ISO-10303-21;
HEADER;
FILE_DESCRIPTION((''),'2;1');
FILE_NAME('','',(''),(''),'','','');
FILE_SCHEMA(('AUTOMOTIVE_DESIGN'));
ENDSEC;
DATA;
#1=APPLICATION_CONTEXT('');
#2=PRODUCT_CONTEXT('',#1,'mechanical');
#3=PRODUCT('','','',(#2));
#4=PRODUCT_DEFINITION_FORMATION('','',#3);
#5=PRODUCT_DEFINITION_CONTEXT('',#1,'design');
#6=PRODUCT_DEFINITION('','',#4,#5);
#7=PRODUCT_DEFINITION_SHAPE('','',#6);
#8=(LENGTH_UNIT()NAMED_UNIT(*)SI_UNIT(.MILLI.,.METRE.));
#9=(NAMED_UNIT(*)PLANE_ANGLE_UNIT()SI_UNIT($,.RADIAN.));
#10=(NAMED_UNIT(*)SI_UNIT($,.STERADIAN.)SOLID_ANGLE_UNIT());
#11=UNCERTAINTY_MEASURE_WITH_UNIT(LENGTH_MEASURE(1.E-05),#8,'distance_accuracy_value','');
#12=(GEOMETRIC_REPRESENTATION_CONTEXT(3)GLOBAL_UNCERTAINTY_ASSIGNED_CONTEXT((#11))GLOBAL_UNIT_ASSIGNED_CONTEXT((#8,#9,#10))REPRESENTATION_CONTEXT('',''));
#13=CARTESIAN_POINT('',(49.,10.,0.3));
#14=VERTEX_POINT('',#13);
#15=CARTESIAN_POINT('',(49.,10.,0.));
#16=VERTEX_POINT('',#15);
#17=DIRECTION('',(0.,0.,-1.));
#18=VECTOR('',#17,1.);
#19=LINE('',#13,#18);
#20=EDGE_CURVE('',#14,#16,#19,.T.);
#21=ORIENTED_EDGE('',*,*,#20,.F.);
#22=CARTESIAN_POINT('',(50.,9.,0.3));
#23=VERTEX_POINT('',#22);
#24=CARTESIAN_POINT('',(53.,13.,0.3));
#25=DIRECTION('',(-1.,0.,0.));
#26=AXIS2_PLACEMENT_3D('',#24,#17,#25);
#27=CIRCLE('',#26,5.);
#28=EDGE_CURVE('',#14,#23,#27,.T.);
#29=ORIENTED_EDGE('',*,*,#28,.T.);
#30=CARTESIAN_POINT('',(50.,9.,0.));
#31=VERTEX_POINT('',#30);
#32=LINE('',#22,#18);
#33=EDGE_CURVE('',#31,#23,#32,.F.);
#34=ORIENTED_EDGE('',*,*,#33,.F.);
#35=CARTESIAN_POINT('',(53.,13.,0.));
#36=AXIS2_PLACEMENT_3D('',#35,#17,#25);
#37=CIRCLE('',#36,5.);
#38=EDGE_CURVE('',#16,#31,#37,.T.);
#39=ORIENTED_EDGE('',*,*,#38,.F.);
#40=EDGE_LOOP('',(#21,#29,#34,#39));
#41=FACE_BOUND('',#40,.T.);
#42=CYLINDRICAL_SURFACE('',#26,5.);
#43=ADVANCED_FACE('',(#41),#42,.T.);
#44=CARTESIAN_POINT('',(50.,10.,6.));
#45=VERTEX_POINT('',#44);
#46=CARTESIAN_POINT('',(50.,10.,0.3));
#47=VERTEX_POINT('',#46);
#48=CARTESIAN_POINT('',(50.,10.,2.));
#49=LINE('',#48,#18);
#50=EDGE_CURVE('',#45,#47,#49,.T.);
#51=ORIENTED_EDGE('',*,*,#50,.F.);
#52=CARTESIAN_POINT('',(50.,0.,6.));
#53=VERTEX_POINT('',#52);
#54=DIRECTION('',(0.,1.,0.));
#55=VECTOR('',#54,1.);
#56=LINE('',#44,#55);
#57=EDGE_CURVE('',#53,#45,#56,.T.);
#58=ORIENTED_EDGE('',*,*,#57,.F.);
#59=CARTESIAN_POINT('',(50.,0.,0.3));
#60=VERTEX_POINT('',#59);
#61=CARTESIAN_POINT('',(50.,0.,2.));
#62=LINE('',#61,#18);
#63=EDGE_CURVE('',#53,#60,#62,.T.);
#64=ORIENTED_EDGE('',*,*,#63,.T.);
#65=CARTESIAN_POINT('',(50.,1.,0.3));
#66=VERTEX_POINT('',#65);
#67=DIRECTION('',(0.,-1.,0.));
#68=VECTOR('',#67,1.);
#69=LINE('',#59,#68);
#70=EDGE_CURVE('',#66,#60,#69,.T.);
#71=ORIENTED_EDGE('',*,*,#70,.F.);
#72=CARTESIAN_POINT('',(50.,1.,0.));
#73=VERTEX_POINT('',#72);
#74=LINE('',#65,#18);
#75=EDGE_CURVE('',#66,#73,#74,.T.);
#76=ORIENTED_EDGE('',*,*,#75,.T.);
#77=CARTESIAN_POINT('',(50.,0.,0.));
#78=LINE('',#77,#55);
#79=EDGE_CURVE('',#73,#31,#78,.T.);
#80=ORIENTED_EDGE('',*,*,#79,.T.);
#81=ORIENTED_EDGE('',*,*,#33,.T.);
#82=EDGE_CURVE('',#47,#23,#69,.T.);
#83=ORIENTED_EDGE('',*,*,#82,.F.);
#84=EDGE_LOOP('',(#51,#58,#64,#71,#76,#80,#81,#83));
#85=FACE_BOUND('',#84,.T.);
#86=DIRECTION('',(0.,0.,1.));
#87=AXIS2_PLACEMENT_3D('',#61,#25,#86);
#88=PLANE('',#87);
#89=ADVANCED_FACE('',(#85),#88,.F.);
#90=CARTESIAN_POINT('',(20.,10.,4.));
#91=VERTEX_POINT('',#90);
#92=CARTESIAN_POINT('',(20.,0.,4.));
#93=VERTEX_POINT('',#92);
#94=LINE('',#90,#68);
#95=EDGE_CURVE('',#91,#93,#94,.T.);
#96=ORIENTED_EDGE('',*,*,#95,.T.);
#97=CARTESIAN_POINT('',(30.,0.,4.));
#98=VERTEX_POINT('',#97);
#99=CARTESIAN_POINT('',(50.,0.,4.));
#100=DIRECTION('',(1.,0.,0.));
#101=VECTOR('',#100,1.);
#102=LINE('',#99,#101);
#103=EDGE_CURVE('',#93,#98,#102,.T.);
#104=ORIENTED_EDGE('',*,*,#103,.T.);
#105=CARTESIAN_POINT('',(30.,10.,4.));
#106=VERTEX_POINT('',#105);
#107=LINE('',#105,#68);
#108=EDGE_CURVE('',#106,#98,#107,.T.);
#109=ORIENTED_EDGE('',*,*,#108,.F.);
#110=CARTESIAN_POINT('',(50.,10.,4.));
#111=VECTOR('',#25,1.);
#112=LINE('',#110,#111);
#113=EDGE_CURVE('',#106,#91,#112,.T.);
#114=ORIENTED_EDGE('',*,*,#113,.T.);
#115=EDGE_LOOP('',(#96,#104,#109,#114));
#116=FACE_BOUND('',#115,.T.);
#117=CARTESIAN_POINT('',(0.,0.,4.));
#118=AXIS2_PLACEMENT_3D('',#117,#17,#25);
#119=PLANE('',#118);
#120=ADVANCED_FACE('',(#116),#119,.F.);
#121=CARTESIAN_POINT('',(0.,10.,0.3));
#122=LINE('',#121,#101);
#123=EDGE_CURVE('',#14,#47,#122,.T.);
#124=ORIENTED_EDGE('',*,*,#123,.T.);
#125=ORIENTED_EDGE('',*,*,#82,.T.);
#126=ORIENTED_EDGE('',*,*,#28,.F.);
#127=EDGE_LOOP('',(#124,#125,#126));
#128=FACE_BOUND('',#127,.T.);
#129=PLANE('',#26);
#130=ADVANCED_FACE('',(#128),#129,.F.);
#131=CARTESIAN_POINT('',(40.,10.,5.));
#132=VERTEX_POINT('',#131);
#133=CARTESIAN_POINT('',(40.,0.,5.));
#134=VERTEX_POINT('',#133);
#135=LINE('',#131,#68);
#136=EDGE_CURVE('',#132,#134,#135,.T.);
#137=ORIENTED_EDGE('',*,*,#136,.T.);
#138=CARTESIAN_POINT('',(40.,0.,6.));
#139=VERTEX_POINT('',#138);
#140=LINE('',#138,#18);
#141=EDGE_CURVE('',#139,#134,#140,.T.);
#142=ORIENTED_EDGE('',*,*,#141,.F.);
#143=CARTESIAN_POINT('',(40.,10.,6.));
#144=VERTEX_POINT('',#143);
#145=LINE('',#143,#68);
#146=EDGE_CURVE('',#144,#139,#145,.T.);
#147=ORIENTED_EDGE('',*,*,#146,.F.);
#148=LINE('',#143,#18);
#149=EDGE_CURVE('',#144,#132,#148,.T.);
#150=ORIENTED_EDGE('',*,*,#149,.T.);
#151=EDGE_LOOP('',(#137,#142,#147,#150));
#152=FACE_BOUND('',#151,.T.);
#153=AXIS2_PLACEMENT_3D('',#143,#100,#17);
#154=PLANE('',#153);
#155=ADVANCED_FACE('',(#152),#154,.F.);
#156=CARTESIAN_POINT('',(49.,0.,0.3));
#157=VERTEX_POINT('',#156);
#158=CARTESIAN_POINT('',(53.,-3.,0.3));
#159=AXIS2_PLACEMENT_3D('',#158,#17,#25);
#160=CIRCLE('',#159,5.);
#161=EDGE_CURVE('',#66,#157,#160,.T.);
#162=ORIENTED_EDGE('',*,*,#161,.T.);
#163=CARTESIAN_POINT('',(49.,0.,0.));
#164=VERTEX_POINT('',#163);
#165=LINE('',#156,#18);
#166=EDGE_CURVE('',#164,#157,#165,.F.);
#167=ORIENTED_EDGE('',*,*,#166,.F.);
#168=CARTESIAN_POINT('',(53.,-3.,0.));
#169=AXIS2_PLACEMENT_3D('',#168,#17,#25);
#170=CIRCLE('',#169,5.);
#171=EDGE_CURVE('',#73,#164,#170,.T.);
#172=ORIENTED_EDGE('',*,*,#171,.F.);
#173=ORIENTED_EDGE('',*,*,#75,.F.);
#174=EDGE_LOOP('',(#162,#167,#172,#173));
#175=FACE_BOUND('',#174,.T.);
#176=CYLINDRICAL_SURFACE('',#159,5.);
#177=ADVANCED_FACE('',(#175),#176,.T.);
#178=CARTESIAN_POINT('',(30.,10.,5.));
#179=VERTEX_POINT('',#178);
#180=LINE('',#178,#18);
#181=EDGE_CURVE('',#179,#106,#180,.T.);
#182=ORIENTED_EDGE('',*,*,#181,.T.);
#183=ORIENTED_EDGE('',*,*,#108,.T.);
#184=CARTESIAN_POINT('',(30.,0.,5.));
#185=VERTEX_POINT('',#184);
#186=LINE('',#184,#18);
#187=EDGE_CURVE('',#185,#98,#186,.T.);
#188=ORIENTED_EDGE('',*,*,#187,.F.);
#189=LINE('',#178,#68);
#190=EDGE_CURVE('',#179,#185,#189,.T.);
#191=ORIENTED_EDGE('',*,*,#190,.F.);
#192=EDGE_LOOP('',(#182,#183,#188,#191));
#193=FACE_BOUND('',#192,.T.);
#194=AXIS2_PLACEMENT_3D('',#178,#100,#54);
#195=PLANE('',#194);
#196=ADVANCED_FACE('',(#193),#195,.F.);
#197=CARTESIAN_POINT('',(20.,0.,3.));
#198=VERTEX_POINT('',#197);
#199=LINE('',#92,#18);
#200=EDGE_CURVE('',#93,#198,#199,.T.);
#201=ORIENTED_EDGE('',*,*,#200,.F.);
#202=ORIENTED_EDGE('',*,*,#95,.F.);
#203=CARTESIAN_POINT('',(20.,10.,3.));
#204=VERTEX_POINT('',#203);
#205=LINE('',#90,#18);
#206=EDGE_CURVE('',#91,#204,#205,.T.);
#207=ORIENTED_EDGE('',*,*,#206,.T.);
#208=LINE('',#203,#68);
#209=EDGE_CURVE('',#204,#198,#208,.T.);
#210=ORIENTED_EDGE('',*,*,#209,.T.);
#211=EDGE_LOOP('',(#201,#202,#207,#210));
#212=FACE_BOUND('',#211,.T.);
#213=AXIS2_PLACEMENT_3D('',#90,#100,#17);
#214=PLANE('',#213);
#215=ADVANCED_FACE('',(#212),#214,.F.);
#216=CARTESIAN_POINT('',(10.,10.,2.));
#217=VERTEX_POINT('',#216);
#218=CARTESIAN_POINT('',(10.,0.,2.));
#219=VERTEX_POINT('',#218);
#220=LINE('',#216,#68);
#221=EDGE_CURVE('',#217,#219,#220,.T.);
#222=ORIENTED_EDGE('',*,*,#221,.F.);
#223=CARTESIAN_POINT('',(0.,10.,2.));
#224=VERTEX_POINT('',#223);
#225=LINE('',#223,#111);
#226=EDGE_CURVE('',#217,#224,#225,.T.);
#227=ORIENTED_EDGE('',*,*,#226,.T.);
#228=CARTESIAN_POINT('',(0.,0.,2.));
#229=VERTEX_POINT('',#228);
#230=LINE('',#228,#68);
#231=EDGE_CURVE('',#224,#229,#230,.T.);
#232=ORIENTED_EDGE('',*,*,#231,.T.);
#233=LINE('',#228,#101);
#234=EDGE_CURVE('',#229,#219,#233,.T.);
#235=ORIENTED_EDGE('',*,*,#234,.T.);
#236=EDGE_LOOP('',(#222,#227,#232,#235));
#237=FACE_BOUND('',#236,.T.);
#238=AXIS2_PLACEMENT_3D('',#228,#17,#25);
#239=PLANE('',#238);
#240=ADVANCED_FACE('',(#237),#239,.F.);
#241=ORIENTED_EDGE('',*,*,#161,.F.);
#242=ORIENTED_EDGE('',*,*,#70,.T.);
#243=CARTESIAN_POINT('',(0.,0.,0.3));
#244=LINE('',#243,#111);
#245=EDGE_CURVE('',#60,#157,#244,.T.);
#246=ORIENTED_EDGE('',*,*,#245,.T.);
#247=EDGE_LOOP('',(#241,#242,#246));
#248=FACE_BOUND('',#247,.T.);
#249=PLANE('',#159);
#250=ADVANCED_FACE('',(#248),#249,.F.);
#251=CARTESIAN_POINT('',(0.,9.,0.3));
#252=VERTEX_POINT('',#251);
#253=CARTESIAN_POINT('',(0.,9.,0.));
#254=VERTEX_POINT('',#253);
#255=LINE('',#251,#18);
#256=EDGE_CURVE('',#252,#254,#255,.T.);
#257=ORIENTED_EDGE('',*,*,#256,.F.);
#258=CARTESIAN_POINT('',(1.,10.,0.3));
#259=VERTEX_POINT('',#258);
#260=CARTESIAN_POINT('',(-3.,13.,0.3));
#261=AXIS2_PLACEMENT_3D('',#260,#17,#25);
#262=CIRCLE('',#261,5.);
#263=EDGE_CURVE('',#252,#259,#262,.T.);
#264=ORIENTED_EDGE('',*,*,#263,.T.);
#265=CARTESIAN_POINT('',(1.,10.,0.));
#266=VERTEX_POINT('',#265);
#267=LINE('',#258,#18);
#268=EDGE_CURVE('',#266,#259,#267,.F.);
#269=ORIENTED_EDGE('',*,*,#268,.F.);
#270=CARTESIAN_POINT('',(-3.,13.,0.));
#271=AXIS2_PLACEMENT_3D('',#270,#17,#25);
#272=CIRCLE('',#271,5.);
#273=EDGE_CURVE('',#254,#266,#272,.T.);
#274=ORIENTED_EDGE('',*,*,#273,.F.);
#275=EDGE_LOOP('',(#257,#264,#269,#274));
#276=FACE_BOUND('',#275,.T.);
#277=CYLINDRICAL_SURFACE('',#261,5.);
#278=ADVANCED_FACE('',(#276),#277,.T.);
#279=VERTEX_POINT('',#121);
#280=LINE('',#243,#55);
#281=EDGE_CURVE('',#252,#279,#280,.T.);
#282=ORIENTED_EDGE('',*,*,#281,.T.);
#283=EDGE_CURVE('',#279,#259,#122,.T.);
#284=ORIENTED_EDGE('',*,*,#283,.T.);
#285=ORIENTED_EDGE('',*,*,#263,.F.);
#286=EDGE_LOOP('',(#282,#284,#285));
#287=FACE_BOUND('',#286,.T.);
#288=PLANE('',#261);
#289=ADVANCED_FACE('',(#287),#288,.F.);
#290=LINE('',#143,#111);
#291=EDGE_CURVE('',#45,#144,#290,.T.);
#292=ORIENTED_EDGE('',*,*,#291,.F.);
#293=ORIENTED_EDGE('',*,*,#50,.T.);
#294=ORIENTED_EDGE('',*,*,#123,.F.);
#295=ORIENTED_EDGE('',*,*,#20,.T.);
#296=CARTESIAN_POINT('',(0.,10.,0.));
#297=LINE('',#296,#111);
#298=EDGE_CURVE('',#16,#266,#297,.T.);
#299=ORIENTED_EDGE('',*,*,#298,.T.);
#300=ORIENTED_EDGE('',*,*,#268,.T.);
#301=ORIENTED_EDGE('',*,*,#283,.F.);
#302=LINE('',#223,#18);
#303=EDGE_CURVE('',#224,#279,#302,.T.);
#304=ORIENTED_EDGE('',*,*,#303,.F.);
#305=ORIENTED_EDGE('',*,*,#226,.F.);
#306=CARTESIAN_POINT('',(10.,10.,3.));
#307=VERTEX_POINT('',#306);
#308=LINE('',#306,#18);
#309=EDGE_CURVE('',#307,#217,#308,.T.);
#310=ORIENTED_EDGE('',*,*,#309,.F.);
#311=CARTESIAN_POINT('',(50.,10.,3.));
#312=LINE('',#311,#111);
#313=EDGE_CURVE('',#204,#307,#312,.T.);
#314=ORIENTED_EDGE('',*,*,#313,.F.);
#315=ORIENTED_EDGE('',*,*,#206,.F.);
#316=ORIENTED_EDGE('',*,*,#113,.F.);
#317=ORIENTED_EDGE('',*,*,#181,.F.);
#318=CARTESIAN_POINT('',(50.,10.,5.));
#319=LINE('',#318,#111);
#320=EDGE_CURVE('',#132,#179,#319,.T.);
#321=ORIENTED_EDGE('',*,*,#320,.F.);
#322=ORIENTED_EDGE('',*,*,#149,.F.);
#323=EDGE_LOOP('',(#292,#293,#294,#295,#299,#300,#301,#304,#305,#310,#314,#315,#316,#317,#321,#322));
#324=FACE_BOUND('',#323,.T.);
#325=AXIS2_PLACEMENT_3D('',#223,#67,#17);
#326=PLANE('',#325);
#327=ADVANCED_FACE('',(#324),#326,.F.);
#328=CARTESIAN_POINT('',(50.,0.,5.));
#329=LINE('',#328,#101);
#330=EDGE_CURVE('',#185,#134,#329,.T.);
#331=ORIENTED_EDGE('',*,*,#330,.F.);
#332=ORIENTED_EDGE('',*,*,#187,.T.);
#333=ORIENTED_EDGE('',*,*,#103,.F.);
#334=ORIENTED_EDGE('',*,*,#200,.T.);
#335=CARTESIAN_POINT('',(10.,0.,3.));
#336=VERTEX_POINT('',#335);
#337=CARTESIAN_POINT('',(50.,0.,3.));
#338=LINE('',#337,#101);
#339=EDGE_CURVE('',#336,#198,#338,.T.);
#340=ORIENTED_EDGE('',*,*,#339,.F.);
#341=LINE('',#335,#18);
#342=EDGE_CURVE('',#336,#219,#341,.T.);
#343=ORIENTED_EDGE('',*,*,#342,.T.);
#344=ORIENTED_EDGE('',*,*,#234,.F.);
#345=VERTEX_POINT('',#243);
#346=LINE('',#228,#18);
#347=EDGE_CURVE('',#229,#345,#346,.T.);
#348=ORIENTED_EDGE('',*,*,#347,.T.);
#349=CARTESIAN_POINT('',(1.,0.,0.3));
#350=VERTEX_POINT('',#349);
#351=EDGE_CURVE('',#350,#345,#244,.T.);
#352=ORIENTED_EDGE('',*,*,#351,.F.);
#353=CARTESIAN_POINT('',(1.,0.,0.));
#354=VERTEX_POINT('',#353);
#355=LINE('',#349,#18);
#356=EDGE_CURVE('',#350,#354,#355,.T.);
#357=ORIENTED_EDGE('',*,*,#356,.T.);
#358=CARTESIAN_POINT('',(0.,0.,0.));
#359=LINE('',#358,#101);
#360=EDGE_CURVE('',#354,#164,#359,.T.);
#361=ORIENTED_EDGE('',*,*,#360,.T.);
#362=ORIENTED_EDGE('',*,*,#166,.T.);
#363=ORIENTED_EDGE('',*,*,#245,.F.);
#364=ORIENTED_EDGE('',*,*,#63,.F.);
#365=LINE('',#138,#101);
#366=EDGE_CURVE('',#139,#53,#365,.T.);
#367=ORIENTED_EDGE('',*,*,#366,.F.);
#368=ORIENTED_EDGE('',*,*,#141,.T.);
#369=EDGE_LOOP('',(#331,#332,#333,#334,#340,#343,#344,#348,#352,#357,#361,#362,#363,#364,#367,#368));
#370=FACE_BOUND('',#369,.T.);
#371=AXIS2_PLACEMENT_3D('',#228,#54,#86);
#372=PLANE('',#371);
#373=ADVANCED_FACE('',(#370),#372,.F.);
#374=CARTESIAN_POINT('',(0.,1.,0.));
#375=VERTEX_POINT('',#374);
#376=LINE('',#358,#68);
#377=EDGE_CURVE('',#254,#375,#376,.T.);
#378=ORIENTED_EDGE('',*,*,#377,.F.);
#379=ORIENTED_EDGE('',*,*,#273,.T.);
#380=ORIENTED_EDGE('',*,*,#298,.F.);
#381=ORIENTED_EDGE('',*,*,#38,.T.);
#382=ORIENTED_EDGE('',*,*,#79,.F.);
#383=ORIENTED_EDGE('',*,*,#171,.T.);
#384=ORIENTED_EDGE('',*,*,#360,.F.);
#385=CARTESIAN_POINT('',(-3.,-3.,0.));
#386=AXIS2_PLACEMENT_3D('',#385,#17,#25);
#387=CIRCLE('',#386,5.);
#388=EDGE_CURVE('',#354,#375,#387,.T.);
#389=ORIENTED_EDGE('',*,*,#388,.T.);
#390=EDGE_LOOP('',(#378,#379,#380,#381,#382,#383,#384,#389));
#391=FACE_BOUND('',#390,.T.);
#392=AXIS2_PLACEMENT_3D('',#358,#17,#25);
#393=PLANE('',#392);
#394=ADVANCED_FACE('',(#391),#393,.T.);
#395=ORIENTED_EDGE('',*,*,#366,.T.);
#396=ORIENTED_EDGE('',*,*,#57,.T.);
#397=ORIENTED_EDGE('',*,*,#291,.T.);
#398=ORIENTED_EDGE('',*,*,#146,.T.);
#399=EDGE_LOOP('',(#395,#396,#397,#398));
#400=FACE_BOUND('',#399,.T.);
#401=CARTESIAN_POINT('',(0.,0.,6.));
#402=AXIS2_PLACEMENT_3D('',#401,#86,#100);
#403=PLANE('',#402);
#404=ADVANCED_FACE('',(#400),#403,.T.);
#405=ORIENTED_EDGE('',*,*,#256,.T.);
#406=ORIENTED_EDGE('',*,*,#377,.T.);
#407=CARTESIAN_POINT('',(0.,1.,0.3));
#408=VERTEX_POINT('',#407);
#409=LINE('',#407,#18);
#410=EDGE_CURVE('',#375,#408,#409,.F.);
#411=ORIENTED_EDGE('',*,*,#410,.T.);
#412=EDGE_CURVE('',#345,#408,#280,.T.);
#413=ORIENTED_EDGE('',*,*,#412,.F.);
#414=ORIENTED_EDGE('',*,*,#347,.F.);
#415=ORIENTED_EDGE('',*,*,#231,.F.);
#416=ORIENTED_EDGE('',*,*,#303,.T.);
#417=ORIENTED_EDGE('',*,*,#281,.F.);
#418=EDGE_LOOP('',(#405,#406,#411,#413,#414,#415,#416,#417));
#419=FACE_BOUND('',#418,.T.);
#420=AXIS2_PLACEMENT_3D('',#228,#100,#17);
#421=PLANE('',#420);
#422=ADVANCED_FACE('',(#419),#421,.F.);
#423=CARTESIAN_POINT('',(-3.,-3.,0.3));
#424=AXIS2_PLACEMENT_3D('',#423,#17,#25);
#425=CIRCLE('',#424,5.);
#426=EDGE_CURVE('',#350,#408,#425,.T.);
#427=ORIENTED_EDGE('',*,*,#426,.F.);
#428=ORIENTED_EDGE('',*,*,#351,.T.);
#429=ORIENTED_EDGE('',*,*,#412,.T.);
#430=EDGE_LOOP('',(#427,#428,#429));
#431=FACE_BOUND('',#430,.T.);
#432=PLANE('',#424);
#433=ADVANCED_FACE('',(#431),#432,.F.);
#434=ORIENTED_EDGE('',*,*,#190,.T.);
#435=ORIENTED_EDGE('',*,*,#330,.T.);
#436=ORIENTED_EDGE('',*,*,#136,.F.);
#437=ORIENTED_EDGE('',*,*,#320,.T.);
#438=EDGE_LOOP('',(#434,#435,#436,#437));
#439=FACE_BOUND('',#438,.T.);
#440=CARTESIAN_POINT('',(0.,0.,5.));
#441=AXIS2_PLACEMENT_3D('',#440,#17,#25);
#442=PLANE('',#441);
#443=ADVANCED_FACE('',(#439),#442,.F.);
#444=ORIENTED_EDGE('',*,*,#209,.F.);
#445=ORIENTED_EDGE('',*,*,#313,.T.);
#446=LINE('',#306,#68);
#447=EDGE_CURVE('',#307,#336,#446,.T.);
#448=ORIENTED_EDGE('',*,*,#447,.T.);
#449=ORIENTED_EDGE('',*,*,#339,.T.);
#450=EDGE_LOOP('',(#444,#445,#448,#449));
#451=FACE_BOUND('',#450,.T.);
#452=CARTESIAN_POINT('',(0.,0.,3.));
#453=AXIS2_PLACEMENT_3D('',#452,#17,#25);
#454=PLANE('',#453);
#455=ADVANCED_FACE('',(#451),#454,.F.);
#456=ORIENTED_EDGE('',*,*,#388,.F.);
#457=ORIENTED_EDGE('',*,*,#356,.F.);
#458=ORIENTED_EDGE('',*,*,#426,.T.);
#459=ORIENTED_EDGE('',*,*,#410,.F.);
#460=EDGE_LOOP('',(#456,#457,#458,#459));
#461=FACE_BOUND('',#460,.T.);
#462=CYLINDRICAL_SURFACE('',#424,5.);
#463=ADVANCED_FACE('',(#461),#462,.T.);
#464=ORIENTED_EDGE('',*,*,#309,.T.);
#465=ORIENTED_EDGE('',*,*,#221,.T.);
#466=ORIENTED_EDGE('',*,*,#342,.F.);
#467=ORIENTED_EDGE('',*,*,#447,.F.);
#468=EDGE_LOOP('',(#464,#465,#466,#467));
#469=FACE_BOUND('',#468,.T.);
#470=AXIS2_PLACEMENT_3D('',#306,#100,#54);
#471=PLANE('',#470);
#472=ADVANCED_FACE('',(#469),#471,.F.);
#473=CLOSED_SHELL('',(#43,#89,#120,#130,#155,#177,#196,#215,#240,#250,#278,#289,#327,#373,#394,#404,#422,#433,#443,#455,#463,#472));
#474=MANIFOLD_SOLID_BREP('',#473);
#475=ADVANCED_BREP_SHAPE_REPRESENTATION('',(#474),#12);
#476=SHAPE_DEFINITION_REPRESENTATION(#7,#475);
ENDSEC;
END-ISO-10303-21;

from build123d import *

# Parameters (mm, degrees)
SKETCH1_W        = 50
SKETCH1_H        = 10
F_2MM_DEPTH      = 2
SKETCH2_W        = 40
SKETCH2_H        = 10
F_3MM_DEPTH      = 1
SKETCH3_W        = 30
SKETCH3_H        = 10
F_4MM_DEPTH      = 1
SKETCH4_W        = 20
SKETCH4_H        = 10
F_5MM_DEPTH      = 1
SKETCH5_W        = 10
SKETCH5_H        = 10
F_6MM_DEPTH      = 1
SKETCH6_R        = 5
PRINT_EARS_DEPTH = 0.3


with BuildPart() as part:
    # Sketch1 → 2mm (new body)
    with BuildSketch(Plane.XY):
        with Locations((25, 5)):
            Rectangle(SKETCH1_W, SKETCH1_H)
    extrude(amount=F_2MM_DEPTH)

    # Sketch2 → 3mm (add)
    with BuildSketch(Plane.XY.offset(2)):
        with Locations((30, 5)):
            Rectangle(SKETCH2_W, SKETCH2_H)
    extrude(amount=F_3MM_DEPTH)

    # Sketch3 → 4mm (add)
    with BuildSketch(Plane.XY.offset(3)):
        with Locations((35, 5)):
            Rectangle(SKETCH3_W, SKETCH3_H)
    extrude(amount=F_4MM_DEPTH)

    # Sketch4 → 5mm (add)
    with BuildSketch(Plane.XY.offset(4)):
        with Locations((40, 5)):
            Rectangle(SKETCH4_W, SKETCH4_H)
    extrude(amount=F_5MM_DEPTH)

    # Sketch5 → 6mm (add)
    with BuildSketch(Plane.XY.offset(5)):
        with Locations((45, 5)):
            Rectangle(SKETCH5_W, SKETCH5_H)
    extrude(amount=F_6MM_DEPTH)

    # Sketch6 → Print ears (add)
    with BuildSketch(Plane(origin=(0, 0, 0), x_dir=(-1, 0, 0), z_dir=(0, 0, -1))):
        with Locations((3, -3)):
            Circle(SKETCH6_R)
        with Locations((3, 13)):
            Circle(SKETCH6_R)
        with Locations((-53, 13)):
            Circle(SKETCH6_R)
        with Locations((-53, -3)):
            Circle(SKETCH6_R)
    extrude(amount=-PRINT_EARS_DEPTH)


solid = part.part
